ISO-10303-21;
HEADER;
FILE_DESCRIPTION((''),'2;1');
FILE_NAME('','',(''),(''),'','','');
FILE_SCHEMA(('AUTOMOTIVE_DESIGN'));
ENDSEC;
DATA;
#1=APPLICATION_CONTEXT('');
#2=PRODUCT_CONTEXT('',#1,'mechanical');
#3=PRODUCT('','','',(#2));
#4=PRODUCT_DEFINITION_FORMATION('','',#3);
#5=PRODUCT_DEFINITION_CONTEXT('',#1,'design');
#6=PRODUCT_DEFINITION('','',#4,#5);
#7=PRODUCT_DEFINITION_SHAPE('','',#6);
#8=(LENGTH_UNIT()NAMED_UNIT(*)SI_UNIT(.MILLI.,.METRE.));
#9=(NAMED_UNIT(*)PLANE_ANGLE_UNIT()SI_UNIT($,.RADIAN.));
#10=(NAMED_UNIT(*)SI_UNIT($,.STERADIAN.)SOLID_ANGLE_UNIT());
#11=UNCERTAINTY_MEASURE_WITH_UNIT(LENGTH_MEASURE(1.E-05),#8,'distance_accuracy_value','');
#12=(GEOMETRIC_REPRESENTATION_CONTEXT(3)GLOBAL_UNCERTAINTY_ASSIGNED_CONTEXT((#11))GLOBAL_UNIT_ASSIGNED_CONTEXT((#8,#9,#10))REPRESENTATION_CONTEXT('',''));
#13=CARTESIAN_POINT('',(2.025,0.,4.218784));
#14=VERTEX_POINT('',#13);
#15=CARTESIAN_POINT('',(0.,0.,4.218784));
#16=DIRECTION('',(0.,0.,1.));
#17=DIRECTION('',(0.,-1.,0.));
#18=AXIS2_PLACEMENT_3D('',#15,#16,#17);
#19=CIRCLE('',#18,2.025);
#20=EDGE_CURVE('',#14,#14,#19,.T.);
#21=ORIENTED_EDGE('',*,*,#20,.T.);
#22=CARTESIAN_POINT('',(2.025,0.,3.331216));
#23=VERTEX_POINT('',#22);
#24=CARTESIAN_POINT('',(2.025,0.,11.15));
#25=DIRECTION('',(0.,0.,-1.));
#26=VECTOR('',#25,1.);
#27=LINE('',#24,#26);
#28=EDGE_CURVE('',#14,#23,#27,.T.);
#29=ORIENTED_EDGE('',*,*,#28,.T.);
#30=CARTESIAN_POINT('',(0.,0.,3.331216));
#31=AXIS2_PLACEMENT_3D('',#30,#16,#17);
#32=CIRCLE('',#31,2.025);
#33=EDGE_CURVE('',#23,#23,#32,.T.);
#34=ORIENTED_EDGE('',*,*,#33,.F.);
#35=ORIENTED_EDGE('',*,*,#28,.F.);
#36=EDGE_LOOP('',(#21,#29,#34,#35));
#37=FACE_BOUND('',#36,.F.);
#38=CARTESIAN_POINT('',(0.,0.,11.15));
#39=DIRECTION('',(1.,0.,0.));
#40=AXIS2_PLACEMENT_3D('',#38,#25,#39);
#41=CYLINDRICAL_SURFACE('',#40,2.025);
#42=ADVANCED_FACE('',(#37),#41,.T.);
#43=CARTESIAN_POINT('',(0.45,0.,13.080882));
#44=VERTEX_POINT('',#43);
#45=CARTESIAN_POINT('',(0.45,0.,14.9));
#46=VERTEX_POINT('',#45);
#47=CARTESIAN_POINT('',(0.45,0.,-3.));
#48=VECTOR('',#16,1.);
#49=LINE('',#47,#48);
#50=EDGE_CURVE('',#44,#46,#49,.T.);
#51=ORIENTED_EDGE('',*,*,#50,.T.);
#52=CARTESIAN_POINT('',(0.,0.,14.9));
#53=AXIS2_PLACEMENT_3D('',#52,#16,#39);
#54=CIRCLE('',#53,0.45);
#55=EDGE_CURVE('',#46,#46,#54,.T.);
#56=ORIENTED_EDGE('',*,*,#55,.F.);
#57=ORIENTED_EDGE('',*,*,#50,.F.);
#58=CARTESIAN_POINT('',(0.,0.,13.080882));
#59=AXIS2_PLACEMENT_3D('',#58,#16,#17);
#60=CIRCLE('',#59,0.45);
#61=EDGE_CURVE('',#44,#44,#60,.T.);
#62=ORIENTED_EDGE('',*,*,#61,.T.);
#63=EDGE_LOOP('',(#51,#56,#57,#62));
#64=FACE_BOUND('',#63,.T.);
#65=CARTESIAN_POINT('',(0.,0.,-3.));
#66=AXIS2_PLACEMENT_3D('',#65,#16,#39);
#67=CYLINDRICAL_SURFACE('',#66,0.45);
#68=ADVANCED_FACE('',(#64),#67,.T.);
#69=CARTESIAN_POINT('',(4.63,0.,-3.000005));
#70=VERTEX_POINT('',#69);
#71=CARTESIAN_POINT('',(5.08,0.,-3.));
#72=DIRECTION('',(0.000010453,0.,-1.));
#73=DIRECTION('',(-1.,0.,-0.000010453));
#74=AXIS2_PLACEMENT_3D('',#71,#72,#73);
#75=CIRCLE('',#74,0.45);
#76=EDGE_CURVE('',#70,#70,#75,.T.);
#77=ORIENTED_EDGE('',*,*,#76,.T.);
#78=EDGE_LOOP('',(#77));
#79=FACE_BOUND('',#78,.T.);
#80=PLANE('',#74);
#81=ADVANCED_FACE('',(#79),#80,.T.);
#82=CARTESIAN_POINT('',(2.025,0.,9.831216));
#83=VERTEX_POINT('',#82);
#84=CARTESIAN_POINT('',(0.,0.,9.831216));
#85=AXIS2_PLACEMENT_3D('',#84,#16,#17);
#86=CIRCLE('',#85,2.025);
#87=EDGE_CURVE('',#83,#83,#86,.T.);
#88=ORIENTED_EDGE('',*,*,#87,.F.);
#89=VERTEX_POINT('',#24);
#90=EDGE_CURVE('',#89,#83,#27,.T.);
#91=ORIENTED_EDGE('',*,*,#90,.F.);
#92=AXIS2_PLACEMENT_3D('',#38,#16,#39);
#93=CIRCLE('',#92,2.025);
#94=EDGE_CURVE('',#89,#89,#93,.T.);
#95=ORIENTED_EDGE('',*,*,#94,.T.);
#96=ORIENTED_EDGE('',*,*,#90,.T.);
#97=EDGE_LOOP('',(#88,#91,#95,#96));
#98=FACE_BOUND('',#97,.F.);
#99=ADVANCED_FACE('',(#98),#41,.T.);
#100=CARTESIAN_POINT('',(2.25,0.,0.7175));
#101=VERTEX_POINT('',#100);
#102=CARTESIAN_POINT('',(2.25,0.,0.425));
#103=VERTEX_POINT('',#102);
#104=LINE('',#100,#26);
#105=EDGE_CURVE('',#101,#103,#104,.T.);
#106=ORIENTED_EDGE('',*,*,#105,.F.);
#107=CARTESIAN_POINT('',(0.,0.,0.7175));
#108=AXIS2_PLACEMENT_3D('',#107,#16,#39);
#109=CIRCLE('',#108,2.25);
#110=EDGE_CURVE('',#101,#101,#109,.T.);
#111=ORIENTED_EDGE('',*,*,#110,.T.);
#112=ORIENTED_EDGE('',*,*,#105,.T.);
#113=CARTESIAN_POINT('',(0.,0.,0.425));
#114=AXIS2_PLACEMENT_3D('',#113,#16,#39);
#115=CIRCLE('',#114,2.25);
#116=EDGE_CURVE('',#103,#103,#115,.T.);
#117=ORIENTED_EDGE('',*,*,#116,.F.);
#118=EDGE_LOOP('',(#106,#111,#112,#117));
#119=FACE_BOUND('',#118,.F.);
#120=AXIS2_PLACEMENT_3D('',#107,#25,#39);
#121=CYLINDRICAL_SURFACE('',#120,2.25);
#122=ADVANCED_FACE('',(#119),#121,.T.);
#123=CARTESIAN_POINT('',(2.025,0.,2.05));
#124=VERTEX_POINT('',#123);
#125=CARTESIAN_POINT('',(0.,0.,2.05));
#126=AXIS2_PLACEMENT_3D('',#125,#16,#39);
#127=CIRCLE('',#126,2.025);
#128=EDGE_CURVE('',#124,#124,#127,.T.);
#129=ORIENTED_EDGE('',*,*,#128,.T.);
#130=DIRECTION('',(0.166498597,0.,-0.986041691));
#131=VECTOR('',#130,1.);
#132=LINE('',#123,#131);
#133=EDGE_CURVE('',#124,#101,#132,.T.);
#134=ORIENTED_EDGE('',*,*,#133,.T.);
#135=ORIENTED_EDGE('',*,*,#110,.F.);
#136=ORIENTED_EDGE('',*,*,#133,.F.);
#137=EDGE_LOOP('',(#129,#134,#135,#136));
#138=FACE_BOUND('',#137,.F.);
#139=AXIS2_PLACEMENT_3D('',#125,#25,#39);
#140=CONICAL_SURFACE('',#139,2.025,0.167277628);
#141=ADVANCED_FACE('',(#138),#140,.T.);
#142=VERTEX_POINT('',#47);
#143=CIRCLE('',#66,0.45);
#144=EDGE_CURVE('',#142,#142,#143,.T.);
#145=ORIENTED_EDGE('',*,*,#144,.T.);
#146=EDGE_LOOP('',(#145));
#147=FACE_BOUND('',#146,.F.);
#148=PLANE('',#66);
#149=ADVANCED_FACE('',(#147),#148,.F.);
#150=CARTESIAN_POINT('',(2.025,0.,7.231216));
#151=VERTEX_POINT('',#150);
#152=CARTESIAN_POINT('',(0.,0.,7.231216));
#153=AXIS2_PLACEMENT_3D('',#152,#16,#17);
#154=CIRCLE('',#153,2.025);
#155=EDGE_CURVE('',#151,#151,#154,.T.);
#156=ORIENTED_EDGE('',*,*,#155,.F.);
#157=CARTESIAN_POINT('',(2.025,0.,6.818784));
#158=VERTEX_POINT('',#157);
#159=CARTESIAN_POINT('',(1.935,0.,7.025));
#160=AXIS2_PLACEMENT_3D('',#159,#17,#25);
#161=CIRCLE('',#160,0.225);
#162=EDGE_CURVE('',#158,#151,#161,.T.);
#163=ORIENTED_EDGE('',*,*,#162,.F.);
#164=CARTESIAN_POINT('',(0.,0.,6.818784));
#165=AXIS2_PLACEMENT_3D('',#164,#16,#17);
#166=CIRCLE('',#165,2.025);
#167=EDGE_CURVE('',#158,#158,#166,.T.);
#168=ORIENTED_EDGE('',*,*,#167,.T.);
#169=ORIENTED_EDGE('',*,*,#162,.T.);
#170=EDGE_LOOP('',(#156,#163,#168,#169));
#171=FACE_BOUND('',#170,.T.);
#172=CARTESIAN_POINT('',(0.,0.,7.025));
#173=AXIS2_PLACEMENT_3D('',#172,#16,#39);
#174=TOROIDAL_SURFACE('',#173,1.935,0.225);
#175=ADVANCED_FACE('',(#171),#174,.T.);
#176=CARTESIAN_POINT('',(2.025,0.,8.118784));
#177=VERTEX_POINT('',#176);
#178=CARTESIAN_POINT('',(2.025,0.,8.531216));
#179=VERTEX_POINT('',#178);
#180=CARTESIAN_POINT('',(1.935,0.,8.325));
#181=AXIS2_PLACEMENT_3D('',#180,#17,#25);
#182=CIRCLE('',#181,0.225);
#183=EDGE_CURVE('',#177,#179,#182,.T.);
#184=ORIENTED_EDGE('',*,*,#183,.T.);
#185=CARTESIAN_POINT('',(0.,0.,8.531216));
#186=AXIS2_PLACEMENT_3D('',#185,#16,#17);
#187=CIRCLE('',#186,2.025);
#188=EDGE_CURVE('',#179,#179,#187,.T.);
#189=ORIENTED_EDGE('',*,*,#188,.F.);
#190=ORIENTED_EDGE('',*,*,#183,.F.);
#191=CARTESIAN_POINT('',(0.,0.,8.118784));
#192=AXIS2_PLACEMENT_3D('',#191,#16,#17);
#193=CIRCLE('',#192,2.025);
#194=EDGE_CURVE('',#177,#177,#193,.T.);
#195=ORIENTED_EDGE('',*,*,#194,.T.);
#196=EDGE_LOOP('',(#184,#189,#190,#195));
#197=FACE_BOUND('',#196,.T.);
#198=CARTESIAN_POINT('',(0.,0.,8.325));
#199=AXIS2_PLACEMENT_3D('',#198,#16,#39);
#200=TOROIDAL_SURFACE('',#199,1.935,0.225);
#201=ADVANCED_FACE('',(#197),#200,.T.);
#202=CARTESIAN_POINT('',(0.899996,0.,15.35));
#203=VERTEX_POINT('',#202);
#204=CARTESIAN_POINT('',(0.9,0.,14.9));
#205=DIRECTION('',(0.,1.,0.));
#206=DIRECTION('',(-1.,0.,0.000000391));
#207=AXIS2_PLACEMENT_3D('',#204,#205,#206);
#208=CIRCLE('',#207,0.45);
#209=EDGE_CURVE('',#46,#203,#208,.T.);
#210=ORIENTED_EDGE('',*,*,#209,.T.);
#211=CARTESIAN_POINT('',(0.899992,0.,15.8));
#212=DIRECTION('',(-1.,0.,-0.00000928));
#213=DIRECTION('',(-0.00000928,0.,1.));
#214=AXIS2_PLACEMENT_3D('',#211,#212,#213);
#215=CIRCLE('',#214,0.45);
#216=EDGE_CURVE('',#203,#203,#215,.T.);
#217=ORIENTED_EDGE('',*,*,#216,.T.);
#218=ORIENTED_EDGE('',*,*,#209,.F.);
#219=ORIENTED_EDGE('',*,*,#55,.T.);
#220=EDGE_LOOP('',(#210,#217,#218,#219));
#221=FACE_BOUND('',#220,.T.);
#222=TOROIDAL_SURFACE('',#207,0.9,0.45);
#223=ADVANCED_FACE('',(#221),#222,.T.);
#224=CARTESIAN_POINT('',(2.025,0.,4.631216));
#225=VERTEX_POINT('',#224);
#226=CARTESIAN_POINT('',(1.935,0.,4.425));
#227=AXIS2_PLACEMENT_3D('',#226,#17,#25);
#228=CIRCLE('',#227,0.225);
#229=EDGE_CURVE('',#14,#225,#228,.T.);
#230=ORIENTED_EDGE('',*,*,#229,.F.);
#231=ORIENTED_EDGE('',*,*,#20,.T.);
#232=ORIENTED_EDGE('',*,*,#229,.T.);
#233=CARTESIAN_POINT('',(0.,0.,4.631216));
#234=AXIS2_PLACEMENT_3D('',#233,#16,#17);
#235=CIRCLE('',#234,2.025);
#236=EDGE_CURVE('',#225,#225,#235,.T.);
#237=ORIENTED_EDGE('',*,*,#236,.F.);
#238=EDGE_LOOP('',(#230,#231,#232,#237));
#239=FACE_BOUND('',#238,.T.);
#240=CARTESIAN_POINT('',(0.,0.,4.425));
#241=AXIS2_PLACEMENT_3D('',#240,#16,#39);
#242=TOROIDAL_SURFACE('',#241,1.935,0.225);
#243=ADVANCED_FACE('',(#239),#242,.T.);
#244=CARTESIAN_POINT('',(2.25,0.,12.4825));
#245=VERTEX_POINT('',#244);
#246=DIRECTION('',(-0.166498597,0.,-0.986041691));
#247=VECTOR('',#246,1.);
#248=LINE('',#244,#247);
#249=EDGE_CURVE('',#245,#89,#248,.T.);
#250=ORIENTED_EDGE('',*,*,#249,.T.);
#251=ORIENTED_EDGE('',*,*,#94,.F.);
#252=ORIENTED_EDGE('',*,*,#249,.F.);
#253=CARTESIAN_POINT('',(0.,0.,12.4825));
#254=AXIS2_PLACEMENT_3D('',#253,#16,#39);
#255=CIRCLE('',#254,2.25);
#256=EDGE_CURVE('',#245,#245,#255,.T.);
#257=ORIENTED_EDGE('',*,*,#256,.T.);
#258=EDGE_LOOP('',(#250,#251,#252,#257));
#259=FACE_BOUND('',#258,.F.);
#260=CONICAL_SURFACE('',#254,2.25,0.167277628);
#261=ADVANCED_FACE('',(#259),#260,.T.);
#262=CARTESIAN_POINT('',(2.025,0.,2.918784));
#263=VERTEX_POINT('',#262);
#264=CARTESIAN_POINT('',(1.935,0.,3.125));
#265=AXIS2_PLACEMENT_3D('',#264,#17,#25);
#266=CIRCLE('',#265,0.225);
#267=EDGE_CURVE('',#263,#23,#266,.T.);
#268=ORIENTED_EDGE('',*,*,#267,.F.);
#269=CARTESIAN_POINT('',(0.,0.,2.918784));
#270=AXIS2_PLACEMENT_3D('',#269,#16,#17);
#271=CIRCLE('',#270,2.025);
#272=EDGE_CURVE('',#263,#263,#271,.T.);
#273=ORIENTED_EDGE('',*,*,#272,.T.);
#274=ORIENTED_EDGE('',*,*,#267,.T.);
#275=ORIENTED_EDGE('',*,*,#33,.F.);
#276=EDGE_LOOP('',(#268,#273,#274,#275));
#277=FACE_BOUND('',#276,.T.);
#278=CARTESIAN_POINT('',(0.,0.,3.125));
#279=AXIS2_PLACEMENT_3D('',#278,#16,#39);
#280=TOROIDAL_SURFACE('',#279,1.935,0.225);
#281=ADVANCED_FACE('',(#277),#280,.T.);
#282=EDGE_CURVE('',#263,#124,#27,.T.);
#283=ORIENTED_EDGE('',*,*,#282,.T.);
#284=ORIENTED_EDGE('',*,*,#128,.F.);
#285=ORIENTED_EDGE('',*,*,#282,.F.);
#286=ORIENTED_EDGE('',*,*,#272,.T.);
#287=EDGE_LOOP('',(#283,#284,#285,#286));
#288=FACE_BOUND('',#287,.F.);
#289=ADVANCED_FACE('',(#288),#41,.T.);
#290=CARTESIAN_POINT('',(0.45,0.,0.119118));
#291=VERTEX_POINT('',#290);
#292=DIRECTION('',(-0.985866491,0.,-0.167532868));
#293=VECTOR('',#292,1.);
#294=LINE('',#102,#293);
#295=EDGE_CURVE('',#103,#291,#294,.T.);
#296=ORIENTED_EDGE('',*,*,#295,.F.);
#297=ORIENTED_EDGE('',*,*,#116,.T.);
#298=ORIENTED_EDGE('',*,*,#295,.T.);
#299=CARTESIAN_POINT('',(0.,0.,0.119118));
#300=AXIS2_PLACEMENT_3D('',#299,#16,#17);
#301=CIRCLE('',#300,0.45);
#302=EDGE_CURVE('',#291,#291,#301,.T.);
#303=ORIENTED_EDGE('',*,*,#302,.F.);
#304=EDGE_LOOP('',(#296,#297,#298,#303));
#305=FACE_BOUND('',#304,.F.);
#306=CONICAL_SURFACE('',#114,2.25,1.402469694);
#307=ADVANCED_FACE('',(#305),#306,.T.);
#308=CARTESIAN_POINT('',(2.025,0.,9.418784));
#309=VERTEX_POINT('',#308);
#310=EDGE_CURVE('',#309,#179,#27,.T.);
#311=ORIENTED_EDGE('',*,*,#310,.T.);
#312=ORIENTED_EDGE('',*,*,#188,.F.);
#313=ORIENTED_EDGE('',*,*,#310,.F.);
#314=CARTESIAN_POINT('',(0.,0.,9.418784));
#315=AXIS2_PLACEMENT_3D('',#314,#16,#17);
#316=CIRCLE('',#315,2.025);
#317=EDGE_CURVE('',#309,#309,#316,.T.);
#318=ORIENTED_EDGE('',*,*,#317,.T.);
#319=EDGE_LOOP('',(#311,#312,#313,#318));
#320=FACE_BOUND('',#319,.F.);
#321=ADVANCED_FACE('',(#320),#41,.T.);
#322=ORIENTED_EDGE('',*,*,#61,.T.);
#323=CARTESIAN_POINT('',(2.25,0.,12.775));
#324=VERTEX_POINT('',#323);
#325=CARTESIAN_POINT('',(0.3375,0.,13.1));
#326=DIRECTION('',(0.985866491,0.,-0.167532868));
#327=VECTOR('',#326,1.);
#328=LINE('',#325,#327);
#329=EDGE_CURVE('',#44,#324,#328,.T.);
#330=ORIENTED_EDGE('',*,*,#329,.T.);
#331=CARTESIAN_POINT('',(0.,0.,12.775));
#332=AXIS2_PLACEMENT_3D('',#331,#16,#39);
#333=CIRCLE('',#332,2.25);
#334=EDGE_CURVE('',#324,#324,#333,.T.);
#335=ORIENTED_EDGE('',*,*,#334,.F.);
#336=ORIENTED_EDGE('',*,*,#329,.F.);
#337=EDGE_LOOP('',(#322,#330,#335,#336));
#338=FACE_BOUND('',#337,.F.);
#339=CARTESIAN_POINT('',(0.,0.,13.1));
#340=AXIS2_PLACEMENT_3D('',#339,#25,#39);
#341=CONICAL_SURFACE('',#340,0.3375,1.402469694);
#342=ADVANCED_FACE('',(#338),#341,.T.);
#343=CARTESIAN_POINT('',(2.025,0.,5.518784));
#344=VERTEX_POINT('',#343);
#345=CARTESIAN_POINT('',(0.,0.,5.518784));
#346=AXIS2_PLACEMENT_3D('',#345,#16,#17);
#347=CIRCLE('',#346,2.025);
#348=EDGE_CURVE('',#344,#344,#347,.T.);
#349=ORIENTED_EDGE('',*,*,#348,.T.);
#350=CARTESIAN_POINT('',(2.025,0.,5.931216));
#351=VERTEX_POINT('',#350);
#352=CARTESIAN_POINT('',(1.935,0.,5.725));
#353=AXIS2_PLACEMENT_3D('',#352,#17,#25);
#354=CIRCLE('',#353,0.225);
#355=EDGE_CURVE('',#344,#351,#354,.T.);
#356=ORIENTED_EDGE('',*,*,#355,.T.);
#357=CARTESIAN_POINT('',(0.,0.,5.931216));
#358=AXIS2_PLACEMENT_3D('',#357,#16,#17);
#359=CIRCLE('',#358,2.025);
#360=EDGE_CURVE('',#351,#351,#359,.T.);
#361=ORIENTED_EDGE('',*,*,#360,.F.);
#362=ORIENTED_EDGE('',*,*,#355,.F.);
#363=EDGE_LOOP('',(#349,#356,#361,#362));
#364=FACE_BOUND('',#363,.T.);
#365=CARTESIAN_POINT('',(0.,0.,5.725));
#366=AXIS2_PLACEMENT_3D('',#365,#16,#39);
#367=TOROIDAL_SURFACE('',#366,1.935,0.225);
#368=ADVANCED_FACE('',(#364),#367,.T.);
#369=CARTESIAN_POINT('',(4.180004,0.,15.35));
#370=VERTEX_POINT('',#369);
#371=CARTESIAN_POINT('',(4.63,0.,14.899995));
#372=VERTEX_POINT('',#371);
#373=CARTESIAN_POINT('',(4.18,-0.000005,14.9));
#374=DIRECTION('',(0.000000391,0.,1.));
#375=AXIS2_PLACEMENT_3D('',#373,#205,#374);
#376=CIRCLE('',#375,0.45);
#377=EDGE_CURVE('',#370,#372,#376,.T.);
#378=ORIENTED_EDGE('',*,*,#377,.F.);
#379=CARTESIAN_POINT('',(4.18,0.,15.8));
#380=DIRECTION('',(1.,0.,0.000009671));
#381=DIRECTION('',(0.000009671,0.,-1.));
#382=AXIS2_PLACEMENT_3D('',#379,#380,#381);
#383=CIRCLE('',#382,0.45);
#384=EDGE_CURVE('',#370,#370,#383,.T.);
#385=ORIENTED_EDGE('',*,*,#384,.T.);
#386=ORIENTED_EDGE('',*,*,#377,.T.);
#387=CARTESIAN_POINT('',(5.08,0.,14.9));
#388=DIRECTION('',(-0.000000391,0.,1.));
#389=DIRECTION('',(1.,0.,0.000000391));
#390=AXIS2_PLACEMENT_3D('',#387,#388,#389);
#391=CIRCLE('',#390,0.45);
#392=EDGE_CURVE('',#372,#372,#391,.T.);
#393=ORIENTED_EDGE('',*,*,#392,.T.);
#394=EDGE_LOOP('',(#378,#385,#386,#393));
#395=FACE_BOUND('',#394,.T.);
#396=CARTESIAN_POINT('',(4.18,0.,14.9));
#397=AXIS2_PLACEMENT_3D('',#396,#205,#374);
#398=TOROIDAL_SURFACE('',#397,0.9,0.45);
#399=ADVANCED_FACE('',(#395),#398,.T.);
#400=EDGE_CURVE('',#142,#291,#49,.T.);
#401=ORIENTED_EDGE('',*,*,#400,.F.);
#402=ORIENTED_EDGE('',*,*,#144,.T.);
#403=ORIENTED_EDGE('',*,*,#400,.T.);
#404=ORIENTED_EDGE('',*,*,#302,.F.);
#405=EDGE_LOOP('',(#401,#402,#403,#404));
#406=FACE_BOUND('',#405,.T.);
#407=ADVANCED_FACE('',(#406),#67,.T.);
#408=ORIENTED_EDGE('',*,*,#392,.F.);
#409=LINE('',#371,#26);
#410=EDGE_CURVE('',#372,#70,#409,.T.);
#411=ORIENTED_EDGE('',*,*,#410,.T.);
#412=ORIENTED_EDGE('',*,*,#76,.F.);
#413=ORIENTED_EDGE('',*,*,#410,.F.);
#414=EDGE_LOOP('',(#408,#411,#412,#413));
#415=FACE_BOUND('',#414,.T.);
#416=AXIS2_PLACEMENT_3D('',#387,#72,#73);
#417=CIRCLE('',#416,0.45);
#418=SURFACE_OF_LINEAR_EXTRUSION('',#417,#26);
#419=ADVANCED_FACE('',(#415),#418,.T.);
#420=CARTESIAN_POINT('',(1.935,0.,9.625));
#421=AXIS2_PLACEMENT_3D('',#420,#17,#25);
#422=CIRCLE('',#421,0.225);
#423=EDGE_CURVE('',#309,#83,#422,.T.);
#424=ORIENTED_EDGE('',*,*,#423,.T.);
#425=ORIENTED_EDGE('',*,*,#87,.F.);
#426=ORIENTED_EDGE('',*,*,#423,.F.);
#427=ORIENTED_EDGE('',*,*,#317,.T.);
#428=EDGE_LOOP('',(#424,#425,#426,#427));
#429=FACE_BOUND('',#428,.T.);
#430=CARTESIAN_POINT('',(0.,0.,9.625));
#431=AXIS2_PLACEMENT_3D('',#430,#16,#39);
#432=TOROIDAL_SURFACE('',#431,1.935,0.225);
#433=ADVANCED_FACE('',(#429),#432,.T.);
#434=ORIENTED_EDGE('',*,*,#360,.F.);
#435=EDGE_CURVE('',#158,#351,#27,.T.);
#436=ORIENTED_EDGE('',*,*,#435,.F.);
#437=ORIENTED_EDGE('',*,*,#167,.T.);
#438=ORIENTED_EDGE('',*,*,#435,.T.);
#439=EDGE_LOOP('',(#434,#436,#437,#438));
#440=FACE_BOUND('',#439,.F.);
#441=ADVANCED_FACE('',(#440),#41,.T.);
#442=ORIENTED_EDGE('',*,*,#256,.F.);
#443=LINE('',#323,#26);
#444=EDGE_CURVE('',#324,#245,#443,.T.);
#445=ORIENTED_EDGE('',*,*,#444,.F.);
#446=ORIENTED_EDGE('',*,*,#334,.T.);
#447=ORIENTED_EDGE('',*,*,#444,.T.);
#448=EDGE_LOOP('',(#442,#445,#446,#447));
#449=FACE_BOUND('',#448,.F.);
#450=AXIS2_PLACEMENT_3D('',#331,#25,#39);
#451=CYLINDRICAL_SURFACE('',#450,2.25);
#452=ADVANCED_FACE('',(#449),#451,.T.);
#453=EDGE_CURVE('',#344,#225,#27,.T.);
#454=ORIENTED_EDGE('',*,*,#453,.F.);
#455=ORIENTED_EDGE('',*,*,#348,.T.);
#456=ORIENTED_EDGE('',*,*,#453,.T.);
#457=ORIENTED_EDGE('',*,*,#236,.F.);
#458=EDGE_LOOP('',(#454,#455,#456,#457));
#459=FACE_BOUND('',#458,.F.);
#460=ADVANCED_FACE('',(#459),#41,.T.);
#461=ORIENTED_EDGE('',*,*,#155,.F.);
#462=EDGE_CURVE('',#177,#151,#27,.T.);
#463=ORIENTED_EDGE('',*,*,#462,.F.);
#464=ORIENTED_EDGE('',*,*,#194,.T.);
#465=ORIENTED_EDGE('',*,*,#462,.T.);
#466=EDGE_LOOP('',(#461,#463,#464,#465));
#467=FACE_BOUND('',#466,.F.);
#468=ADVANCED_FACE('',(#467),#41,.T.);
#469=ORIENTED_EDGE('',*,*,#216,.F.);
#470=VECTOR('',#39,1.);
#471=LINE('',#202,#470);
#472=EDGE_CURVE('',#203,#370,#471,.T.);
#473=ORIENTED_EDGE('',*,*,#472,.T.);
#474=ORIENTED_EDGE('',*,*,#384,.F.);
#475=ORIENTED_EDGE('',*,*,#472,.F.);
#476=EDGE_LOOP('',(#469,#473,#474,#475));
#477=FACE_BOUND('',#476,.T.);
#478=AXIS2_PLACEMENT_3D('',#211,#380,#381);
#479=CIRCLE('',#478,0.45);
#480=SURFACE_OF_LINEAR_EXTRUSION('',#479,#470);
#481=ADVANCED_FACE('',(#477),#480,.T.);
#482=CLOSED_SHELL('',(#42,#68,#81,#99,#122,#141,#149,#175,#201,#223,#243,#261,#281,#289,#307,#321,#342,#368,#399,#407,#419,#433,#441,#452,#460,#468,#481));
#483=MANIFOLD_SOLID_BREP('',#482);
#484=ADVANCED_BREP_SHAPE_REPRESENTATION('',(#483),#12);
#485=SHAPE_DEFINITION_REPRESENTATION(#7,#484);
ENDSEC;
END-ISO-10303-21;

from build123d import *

# Parameters (mm, degrees)
SKETCH_R = 0.45


with BuildPart() as revolution:
    # Sketch002 → Revolution (revolve)
    with BuildSketch(Plane.XZ):
        Polygon((0, 0.1), (0, 13.1), (0.3375, 13.1), (2.25, 12.775), (2.25, 12.4825), (2.025, 11.15), (2.025, 2.05), (2.25, 0.7175), (2.25, 0.425), (0.3375, 0.1), align=None)
    revolve(axis=Axis((0, 0, 0), (0, 0, 1)))


with BuildPart() as revolution001:
    # Sketch003 → Revolution001 (revolve)
    with BuildSketch(Plane.XZ):
        with BuildLine():
            Line((1.8, 10.7), (1.8, 2.05))
            Line((1.8, 2.05), (1.935, 2.05))
            Line((1.935, 2.05), (1.935, 2.9))
            ThreePointArc((1.935, 2.9), (2.16, 3.125), (1.935, 3.35))
            Line((1.935, 3.35), (1.935, 4.2))
            ThreePointArc((1.935, 4.2), (2.16, 4.425), (1.935, 4.65))
            Line((1.935, 4.65), (1.935, 5.5))
            ThreePointArc((1.935, 5.5), (2.16, 5.725), (1.935, 5.95))
            Line((1.935, 5.95), (1.935, 6.8))
            ThreePointArc((1.935, 6.8), (2.16, 7.025), (1.935, 7.25))
            Line((1.935, 7.25), (1.935, 8.1))
            ThreePointArc((1.935, 8.1), (2.16, 8.325), (1.935, 8.55))
            Line((1.935, 8.55), (1.935, 9.4))
            ThreePointArc((1.935, 9.4), (2.16, 9.625), (1.935, 9.85))
            Line((1.935, 10.7), (1.935, 9.85))
            Line((1.8, 10.7), (1.935, 10.7))
        make_face()
    revolve(axis=Axis((0, 0, 0), (0, 0, 1)))


with BuildPart() as sweep_mp_cp:
    # Sweep: sweep along a path in Sketch001
    with BuildLine(Plane.XZ) as sweep_path:
        Line((0, -3), (0, 14.9))
        ThreePointArc((0, 14.9), (0.263601, 15.536393), (0.899992, 15.8))
        Line((0.899992, 15.8), (4.18, 15.8))
        ThreePointArc((4.18, 15.8), (4.816396, 15.536396), (5.08, 14.9))
        Line((5.08, 14.9), (5.08, -3))
    # Sketch → Sweep (sweep)
    with BuildSketch(Plane.XY.offset(-2)):
        Circle(SKETCH_R)
    sweep(path=sweep_path.line)

    # Sweep_mp_cp: union Revolution, Revolution001
    add(revolution.part)
    add(revolution001.part)


solid = sweep_mp_cp.part
